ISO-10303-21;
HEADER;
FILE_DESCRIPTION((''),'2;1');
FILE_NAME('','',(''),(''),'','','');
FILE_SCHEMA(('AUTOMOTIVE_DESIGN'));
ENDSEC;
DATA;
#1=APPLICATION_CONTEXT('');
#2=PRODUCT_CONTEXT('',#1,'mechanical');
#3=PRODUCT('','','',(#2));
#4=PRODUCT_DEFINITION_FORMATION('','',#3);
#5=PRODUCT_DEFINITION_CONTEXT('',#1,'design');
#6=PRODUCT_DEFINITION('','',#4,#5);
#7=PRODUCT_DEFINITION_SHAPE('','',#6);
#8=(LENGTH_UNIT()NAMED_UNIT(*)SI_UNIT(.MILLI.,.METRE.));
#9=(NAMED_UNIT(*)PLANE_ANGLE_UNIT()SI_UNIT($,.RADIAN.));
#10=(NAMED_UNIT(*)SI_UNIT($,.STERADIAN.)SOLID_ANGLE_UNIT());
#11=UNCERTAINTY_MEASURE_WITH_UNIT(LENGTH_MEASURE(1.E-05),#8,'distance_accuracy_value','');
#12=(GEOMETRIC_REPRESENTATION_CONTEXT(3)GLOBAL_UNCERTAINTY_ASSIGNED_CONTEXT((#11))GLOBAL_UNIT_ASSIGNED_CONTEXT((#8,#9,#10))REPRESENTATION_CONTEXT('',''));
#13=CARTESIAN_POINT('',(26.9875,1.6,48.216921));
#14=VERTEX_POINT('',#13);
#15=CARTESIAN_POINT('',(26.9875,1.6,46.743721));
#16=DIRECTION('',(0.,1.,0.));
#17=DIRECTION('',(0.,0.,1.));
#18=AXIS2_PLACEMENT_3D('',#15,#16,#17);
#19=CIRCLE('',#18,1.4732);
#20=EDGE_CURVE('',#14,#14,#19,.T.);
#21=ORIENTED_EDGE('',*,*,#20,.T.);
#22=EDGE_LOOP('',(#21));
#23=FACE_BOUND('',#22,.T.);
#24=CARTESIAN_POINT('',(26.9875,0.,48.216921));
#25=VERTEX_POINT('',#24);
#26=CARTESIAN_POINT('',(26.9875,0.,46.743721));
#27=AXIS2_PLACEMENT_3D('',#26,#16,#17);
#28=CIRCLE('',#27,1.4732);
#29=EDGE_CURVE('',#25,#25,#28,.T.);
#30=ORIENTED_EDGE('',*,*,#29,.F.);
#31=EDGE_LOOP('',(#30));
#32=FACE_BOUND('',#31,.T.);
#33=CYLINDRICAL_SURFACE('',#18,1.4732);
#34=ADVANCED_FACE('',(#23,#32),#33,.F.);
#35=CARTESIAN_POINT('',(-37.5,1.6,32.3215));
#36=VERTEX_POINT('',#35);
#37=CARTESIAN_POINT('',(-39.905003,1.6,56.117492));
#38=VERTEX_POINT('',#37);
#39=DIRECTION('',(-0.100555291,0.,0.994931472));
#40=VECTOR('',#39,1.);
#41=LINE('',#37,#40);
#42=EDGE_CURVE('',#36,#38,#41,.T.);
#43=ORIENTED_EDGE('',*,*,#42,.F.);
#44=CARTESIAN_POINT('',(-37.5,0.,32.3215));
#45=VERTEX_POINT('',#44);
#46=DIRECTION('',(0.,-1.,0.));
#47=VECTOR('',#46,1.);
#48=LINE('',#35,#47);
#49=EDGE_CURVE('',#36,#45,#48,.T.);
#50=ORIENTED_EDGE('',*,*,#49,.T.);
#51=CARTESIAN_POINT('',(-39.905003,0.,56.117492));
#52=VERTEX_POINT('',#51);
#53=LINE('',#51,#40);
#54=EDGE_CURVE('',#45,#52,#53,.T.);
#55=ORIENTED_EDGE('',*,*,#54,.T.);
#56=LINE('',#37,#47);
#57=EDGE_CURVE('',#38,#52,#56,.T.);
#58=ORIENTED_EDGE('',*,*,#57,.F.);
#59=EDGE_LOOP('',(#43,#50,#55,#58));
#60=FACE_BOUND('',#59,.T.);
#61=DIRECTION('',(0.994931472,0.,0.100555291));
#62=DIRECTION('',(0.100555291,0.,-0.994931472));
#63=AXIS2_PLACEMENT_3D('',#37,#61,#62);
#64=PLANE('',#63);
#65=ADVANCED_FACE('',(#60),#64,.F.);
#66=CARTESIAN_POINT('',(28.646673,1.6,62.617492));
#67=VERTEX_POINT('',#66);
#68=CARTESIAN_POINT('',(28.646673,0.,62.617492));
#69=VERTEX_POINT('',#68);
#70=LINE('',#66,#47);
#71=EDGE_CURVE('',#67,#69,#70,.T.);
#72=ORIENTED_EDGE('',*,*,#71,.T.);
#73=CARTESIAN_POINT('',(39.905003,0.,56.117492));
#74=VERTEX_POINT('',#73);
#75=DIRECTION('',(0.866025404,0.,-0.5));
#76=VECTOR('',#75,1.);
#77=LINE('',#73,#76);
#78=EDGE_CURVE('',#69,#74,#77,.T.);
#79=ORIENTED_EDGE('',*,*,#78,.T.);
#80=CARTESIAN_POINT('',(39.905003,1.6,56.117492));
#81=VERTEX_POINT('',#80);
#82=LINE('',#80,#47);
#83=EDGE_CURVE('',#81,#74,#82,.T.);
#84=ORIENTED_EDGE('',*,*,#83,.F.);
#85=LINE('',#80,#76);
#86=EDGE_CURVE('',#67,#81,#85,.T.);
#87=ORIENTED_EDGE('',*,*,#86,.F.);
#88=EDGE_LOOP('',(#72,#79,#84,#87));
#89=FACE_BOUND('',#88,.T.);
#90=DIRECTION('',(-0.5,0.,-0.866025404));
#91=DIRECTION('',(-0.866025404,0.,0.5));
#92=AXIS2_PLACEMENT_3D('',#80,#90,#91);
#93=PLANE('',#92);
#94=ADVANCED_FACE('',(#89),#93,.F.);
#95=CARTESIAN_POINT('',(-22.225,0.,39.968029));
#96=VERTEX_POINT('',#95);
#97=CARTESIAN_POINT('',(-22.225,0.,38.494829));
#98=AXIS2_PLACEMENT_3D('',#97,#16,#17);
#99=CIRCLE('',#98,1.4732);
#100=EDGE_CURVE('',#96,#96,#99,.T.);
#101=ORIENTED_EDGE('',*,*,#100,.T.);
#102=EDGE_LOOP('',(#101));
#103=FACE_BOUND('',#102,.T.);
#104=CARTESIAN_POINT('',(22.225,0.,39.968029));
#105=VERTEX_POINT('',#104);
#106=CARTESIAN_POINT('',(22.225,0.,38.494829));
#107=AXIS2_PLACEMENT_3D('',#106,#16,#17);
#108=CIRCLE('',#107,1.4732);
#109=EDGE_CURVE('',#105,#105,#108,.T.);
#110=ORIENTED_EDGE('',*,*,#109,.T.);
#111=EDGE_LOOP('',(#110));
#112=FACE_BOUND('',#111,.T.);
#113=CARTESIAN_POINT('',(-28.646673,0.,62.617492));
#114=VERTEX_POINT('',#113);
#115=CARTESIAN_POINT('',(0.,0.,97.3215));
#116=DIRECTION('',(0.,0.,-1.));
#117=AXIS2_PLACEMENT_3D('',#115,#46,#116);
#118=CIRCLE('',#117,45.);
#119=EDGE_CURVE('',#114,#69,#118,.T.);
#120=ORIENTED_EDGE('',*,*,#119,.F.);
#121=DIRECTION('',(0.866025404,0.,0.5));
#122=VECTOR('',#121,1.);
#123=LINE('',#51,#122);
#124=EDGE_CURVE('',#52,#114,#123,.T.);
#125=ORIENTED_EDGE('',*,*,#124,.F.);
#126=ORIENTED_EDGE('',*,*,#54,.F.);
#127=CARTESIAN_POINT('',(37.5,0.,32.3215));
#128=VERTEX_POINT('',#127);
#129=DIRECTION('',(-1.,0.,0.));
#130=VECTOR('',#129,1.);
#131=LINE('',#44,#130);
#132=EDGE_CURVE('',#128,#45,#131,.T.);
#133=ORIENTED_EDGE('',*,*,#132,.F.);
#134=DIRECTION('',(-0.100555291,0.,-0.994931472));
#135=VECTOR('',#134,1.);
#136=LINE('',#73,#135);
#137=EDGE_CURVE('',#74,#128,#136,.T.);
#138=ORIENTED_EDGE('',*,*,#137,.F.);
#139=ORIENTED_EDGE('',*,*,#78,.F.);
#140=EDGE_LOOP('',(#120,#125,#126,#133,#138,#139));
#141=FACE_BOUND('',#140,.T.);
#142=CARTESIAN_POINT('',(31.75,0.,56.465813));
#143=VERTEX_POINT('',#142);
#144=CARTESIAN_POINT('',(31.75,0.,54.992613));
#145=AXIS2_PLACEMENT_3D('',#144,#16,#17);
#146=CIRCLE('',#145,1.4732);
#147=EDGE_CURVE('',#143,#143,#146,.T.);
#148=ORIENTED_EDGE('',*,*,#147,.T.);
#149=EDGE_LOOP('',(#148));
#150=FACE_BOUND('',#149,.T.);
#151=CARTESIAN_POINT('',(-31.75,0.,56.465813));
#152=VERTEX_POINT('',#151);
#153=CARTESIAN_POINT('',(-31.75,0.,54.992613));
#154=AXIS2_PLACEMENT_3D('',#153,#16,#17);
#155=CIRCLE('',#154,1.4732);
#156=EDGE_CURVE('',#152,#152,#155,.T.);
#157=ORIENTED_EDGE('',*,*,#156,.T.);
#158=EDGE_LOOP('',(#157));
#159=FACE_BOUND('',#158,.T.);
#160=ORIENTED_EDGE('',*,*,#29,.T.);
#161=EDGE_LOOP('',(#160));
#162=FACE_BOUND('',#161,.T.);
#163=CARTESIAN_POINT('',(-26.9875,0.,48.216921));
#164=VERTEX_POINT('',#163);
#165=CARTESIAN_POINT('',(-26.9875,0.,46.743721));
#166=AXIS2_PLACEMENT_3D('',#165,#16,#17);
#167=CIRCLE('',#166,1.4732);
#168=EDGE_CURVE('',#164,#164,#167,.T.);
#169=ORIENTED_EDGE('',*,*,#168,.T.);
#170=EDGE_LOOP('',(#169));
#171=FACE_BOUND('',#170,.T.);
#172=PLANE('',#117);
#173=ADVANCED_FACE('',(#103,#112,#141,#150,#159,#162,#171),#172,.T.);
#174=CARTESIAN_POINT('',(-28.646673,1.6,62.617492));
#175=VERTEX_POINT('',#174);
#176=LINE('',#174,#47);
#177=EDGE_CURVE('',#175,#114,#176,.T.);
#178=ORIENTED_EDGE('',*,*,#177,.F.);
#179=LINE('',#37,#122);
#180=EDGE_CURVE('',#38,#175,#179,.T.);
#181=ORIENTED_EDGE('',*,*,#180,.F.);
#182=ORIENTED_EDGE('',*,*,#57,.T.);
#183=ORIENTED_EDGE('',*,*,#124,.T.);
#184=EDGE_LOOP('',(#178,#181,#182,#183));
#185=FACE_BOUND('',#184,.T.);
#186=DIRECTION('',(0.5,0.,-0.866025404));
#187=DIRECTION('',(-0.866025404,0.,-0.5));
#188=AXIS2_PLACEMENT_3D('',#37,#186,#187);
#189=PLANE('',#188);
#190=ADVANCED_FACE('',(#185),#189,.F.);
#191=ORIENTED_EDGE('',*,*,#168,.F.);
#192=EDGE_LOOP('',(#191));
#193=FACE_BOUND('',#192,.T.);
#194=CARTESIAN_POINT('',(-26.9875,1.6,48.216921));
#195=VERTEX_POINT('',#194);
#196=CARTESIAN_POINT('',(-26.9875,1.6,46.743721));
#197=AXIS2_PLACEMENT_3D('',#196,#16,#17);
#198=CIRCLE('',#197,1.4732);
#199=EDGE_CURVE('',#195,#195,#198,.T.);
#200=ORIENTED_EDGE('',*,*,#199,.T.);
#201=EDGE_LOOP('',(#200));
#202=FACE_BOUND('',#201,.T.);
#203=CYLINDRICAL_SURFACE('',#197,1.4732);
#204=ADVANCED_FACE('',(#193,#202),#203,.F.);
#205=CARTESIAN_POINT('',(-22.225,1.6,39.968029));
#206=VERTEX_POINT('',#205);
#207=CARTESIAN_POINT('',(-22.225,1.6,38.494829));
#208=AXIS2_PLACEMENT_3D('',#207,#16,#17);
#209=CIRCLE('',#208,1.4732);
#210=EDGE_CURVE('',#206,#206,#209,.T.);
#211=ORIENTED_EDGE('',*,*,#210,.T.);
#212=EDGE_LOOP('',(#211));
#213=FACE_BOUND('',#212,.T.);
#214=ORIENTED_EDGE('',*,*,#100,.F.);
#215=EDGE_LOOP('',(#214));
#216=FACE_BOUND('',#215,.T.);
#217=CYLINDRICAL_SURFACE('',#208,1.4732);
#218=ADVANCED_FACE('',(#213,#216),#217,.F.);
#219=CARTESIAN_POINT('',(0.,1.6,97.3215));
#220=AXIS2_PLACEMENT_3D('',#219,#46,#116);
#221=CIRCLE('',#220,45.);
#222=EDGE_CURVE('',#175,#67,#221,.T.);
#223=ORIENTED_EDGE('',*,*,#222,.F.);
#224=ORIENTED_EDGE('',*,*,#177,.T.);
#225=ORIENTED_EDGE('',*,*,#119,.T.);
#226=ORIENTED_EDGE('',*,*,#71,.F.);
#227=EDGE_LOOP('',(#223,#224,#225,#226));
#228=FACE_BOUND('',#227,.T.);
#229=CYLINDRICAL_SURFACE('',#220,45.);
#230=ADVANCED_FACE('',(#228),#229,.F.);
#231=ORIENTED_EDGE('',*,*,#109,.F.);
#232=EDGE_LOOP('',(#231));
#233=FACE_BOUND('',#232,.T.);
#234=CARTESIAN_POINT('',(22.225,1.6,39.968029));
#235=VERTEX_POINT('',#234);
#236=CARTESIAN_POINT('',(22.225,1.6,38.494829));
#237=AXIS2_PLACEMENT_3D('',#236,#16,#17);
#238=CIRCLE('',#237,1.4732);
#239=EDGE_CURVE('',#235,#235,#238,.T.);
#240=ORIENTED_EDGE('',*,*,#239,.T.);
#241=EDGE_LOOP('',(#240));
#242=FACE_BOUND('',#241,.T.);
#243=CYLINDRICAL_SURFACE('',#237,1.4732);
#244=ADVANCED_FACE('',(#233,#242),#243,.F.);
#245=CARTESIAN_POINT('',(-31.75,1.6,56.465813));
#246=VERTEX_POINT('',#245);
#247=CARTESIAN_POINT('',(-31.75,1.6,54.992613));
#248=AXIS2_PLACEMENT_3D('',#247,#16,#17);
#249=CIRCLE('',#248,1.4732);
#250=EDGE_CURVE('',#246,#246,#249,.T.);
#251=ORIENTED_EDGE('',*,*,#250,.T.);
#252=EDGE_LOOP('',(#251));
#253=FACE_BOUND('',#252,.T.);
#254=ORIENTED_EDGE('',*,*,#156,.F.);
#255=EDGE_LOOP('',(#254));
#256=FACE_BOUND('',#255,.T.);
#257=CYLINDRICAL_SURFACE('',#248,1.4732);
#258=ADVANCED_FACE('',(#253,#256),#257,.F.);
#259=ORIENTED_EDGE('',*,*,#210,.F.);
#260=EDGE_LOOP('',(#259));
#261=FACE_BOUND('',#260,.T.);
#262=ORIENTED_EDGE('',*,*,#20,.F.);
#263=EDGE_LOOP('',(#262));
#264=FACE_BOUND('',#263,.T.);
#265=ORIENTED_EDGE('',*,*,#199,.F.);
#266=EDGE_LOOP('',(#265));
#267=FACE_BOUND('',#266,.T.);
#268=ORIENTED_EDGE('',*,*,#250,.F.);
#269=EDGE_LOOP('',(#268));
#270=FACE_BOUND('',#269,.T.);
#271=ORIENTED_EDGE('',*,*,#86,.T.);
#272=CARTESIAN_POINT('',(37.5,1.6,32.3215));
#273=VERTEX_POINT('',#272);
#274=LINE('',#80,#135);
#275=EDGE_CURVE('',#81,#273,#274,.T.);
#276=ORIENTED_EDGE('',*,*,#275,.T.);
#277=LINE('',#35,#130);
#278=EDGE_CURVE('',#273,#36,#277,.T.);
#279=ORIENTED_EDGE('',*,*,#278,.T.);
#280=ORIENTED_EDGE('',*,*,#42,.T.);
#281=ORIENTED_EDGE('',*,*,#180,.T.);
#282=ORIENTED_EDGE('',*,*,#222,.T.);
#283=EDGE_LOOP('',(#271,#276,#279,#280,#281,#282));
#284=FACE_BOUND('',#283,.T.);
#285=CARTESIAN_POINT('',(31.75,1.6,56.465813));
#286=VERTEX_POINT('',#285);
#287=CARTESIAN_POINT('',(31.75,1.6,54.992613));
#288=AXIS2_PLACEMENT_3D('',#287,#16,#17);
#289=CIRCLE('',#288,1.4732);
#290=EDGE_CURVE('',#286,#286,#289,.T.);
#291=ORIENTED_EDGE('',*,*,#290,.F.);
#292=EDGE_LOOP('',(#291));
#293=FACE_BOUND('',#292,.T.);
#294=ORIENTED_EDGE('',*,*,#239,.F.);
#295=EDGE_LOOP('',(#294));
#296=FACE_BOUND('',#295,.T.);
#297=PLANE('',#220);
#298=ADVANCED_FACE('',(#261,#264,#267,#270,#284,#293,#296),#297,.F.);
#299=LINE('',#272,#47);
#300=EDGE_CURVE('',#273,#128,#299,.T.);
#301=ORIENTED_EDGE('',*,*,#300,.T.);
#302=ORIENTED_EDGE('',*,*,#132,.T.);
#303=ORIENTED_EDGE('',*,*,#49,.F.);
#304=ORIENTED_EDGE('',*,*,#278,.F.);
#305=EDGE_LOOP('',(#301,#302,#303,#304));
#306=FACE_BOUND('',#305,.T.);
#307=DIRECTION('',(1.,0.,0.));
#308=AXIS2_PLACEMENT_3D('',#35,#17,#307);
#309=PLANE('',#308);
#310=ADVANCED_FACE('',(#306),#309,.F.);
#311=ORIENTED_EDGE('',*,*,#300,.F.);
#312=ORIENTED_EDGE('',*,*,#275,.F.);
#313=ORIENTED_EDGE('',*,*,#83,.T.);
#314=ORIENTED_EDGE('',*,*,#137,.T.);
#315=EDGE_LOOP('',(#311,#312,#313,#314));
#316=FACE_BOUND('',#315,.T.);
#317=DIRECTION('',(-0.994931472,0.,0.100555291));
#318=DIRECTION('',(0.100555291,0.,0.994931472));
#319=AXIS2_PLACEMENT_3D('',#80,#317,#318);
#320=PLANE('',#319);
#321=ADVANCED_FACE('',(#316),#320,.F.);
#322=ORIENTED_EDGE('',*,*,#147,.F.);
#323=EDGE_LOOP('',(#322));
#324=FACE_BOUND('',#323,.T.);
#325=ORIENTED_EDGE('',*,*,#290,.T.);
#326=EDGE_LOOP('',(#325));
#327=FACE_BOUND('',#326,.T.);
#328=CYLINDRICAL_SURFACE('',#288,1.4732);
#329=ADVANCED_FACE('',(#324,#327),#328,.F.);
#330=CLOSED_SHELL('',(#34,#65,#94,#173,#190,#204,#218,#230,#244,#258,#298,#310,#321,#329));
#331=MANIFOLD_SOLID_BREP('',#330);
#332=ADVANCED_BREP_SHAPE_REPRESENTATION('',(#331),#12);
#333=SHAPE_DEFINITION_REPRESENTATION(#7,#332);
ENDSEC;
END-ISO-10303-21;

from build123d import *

# Parameters (mm, degrees)
BOSS_EXTRUDE1_DEPTH   = 1.6
F_4_CLEARANCE_HOLE1_D = 2.9464


with BuildPart() as part:
    # Sketch1 → Boss-Extrude1 (new body)
    with BuildSketch(Plane(origin=(0, 0, 0), x_dir=(1, 0, 0), z_dir=(0, 1, 0))):
        with BuildLine():
            Line((-37.5, -32.3215), (37.5, -32.3215))
            Line((37.5, -32.3215), (39.905002751, -56.11749224))
            Line((39.905002751, -56.11749224), (28.646672501, -62.61749224))
            ThreePointArc((28.646672501, -62.61749224), (0, -52.3215), (-28.646672501, -62.61749224))
            Line((-28.646672501, -62.61749224), (-39.905002751, -56.11749224))
            Line((-39.905002751, -56.11749224), (-37.5, -32.3215))
        make_face()
    extrude(amount=BOSS_EXTRUDE1_DEPTH)

    # #4 Clearance Hole1 (through all)
    with Locations(Plane(origin=(0, 1.6, 0), x_dir=(1, 0, 0), z_dir=(0, 1, 0))):
        with Locations((22.225, -38.494829198), (26.9875, -46.743721169), (31.75, -54.99261314)):
            f_4_clearance_hole1 = Hole(F_4_CLEARANCE_HOLE1_D / 2)

    # Mirror1: #4 Clearance Hole1 across plane
    add(f_4_clearance_hole1.mirror(Plane(origin=(0, 0, 0), x_dir=(0, 0, 1), z_dir=(1, 0, 0))), mode=Mode.SUBTRACT)


solid = part.part
